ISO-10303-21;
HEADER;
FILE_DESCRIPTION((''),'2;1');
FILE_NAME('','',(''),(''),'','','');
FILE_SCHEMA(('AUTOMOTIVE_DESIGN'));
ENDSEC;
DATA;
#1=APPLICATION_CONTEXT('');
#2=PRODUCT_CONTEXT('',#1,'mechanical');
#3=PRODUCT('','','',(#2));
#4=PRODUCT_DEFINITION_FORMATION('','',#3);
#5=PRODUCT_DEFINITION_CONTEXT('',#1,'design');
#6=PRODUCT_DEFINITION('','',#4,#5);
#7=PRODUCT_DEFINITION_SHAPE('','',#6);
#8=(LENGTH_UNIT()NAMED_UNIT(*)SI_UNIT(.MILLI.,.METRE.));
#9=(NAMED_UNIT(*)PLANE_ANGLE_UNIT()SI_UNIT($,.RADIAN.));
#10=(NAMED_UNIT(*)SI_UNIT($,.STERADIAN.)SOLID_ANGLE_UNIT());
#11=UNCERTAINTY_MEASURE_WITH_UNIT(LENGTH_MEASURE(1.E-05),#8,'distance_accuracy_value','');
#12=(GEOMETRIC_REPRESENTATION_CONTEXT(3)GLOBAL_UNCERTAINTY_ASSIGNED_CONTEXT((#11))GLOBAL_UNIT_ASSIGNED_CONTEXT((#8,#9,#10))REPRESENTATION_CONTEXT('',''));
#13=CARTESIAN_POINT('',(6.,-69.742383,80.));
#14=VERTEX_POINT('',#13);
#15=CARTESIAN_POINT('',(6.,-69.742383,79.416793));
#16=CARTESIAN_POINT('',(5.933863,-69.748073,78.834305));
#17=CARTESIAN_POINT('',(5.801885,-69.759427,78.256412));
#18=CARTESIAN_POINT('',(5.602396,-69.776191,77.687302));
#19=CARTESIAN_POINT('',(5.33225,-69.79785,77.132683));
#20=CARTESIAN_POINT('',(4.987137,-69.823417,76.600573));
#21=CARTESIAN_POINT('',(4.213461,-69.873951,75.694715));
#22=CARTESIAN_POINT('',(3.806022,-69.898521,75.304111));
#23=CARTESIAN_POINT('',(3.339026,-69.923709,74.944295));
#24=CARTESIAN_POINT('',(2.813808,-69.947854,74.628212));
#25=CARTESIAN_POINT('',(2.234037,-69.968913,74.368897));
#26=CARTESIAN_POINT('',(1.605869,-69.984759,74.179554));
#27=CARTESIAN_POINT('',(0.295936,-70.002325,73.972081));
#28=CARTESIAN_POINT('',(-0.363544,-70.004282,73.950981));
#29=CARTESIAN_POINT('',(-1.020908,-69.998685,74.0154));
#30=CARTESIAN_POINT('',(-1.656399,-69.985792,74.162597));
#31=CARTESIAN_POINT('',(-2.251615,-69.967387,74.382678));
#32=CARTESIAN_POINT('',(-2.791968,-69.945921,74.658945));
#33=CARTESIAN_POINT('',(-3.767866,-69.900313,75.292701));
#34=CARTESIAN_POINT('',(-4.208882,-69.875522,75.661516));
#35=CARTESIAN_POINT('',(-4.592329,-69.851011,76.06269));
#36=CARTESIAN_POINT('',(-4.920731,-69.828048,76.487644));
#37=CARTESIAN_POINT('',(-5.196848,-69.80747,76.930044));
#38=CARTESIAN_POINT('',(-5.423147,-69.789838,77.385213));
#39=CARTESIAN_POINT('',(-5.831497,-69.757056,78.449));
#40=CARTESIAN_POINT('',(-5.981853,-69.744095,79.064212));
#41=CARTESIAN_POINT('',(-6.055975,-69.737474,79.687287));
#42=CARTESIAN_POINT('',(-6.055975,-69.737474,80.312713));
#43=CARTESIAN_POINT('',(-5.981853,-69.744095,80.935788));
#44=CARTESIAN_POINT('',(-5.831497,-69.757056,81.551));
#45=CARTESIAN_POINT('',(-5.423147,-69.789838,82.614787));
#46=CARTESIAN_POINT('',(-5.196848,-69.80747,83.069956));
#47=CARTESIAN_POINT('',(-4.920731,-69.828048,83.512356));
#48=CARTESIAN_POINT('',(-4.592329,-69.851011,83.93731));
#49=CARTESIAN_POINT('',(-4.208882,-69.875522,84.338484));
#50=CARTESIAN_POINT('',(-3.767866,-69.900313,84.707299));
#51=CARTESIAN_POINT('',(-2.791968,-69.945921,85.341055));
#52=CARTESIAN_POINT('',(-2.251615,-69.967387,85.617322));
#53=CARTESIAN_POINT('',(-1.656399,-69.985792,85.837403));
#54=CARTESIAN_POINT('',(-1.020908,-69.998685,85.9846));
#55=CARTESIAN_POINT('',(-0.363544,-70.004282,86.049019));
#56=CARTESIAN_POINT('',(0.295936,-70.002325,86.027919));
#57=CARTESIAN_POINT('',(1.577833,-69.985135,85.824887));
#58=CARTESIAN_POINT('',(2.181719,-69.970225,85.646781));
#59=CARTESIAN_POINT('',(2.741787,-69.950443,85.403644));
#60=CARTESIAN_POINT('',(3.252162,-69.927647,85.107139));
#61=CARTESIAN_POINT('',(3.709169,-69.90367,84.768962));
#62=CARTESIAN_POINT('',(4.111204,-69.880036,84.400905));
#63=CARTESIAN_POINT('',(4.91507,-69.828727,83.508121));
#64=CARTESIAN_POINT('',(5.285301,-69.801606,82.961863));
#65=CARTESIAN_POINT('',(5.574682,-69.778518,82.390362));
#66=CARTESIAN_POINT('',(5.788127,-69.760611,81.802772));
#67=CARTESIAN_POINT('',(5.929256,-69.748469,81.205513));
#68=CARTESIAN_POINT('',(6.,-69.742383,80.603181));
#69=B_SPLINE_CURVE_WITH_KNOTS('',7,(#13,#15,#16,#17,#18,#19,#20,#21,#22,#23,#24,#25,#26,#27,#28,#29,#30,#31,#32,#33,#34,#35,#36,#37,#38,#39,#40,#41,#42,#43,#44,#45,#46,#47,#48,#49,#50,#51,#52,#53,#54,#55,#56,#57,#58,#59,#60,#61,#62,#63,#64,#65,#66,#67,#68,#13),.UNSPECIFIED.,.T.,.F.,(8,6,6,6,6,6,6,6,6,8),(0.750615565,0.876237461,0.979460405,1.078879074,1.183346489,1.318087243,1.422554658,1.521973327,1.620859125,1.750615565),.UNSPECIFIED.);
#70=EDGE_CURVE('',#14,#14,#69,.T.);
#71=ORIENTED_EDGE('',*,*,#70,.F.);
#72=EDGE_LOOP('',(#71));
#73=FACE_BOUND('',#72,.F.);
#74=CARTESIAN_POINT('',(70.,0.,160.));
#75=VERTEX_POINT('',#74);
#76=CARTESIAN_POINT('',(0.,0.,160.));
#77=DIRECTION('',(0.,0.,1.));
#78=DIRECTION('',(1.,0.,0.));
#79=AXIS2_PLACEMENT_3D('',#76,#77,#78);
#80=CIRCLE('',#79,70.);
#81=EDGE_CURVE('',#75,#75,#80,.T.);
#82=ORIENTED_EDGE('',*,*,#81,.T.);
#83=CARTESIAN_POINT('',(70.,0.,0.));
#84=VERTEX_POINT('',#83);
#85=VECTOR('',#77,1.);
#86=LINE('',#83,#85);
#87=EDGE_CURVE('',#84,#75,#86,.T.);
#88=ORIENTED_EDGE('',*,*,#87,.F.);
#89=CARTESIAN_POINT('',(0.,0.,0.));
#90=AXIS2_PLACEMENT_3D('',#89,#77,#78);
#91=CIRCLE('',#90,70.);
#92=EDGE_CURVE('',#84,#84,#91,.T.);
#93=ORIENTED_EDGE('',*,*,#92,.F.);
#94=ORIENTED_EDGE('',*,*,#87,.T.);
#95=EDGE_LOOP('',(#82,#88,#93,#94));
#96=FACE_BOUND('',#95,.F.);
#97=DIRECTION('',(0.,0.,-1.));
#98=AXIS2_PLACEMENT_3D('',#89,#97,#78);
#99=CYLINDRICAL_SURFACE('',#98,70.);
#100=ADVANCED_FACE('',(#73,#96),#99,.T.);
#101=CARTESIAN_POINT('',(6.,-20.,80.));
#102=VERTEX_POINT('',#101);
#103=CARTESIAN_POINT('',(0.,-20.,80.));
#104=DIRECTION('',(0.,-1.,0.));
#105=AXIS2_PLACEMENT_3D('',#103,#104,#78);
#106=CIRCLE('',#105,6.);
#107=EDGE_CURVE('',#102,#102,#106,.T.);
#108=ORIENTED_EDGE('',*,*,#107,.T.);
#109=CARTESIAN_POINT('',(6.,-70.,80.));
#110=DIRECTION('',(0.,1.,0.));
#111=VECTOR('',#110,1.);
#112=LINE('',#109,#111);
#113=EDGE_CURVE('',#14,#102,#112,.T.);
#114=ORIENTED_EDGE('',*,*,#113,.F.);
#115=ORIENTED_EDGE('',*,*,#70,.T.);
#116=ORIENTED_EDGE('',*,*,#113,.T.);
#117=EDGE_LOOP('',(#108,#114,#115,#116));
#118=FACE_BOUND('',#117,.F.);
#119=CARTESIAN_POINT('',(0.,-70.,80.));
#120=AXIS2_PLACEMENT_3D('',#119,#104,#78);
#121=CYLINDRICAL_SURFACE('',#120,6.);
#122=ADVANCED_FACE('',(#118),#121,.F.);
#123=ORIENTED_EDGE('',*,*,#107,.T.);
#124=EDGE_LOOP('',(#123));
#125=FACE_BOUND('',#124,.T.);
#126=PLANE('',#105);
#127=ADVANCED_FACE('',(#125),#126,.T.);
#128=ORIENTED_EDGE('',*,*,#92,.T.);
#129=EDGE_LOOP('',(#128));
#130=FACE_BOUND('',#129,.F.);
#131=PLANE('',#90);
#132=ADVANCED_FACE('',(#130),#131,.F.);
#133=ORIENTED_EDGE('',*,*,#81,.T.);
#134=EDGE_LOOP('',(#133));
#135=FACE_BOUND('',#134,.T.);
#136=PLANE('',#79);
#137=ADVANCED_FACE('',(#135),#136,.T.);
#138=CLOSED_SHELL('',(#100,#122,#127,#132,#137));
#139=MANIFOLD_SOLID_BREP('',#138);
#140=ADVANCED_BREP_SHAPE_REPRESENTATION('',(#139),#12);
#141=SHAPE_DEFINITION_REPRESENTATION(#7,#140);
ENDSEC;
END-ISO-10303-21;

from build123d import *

# Parameters (mm, degrees)
F0_R     = 70
F1_DEPTH = 160
F3_R     = 6
F4_DEPTH = 50


with BuildPart() as f1:
    # F0 (on Top) → F1 (new body)
    with BuildSketch(Plane.XY):
        Circle(F0_R)
    extrude(amount=F1_DEPTH)

    # F3 (on offset) → F4 (cut)
    with BuildSketch(Plane.XZ.offset(70)):
        with Locations((0, 80)):
            Circle(F3_R)
    extrude(amount=-F4_DEPTH, mode=Mode.SUBTRACT)


solid = f1.part
